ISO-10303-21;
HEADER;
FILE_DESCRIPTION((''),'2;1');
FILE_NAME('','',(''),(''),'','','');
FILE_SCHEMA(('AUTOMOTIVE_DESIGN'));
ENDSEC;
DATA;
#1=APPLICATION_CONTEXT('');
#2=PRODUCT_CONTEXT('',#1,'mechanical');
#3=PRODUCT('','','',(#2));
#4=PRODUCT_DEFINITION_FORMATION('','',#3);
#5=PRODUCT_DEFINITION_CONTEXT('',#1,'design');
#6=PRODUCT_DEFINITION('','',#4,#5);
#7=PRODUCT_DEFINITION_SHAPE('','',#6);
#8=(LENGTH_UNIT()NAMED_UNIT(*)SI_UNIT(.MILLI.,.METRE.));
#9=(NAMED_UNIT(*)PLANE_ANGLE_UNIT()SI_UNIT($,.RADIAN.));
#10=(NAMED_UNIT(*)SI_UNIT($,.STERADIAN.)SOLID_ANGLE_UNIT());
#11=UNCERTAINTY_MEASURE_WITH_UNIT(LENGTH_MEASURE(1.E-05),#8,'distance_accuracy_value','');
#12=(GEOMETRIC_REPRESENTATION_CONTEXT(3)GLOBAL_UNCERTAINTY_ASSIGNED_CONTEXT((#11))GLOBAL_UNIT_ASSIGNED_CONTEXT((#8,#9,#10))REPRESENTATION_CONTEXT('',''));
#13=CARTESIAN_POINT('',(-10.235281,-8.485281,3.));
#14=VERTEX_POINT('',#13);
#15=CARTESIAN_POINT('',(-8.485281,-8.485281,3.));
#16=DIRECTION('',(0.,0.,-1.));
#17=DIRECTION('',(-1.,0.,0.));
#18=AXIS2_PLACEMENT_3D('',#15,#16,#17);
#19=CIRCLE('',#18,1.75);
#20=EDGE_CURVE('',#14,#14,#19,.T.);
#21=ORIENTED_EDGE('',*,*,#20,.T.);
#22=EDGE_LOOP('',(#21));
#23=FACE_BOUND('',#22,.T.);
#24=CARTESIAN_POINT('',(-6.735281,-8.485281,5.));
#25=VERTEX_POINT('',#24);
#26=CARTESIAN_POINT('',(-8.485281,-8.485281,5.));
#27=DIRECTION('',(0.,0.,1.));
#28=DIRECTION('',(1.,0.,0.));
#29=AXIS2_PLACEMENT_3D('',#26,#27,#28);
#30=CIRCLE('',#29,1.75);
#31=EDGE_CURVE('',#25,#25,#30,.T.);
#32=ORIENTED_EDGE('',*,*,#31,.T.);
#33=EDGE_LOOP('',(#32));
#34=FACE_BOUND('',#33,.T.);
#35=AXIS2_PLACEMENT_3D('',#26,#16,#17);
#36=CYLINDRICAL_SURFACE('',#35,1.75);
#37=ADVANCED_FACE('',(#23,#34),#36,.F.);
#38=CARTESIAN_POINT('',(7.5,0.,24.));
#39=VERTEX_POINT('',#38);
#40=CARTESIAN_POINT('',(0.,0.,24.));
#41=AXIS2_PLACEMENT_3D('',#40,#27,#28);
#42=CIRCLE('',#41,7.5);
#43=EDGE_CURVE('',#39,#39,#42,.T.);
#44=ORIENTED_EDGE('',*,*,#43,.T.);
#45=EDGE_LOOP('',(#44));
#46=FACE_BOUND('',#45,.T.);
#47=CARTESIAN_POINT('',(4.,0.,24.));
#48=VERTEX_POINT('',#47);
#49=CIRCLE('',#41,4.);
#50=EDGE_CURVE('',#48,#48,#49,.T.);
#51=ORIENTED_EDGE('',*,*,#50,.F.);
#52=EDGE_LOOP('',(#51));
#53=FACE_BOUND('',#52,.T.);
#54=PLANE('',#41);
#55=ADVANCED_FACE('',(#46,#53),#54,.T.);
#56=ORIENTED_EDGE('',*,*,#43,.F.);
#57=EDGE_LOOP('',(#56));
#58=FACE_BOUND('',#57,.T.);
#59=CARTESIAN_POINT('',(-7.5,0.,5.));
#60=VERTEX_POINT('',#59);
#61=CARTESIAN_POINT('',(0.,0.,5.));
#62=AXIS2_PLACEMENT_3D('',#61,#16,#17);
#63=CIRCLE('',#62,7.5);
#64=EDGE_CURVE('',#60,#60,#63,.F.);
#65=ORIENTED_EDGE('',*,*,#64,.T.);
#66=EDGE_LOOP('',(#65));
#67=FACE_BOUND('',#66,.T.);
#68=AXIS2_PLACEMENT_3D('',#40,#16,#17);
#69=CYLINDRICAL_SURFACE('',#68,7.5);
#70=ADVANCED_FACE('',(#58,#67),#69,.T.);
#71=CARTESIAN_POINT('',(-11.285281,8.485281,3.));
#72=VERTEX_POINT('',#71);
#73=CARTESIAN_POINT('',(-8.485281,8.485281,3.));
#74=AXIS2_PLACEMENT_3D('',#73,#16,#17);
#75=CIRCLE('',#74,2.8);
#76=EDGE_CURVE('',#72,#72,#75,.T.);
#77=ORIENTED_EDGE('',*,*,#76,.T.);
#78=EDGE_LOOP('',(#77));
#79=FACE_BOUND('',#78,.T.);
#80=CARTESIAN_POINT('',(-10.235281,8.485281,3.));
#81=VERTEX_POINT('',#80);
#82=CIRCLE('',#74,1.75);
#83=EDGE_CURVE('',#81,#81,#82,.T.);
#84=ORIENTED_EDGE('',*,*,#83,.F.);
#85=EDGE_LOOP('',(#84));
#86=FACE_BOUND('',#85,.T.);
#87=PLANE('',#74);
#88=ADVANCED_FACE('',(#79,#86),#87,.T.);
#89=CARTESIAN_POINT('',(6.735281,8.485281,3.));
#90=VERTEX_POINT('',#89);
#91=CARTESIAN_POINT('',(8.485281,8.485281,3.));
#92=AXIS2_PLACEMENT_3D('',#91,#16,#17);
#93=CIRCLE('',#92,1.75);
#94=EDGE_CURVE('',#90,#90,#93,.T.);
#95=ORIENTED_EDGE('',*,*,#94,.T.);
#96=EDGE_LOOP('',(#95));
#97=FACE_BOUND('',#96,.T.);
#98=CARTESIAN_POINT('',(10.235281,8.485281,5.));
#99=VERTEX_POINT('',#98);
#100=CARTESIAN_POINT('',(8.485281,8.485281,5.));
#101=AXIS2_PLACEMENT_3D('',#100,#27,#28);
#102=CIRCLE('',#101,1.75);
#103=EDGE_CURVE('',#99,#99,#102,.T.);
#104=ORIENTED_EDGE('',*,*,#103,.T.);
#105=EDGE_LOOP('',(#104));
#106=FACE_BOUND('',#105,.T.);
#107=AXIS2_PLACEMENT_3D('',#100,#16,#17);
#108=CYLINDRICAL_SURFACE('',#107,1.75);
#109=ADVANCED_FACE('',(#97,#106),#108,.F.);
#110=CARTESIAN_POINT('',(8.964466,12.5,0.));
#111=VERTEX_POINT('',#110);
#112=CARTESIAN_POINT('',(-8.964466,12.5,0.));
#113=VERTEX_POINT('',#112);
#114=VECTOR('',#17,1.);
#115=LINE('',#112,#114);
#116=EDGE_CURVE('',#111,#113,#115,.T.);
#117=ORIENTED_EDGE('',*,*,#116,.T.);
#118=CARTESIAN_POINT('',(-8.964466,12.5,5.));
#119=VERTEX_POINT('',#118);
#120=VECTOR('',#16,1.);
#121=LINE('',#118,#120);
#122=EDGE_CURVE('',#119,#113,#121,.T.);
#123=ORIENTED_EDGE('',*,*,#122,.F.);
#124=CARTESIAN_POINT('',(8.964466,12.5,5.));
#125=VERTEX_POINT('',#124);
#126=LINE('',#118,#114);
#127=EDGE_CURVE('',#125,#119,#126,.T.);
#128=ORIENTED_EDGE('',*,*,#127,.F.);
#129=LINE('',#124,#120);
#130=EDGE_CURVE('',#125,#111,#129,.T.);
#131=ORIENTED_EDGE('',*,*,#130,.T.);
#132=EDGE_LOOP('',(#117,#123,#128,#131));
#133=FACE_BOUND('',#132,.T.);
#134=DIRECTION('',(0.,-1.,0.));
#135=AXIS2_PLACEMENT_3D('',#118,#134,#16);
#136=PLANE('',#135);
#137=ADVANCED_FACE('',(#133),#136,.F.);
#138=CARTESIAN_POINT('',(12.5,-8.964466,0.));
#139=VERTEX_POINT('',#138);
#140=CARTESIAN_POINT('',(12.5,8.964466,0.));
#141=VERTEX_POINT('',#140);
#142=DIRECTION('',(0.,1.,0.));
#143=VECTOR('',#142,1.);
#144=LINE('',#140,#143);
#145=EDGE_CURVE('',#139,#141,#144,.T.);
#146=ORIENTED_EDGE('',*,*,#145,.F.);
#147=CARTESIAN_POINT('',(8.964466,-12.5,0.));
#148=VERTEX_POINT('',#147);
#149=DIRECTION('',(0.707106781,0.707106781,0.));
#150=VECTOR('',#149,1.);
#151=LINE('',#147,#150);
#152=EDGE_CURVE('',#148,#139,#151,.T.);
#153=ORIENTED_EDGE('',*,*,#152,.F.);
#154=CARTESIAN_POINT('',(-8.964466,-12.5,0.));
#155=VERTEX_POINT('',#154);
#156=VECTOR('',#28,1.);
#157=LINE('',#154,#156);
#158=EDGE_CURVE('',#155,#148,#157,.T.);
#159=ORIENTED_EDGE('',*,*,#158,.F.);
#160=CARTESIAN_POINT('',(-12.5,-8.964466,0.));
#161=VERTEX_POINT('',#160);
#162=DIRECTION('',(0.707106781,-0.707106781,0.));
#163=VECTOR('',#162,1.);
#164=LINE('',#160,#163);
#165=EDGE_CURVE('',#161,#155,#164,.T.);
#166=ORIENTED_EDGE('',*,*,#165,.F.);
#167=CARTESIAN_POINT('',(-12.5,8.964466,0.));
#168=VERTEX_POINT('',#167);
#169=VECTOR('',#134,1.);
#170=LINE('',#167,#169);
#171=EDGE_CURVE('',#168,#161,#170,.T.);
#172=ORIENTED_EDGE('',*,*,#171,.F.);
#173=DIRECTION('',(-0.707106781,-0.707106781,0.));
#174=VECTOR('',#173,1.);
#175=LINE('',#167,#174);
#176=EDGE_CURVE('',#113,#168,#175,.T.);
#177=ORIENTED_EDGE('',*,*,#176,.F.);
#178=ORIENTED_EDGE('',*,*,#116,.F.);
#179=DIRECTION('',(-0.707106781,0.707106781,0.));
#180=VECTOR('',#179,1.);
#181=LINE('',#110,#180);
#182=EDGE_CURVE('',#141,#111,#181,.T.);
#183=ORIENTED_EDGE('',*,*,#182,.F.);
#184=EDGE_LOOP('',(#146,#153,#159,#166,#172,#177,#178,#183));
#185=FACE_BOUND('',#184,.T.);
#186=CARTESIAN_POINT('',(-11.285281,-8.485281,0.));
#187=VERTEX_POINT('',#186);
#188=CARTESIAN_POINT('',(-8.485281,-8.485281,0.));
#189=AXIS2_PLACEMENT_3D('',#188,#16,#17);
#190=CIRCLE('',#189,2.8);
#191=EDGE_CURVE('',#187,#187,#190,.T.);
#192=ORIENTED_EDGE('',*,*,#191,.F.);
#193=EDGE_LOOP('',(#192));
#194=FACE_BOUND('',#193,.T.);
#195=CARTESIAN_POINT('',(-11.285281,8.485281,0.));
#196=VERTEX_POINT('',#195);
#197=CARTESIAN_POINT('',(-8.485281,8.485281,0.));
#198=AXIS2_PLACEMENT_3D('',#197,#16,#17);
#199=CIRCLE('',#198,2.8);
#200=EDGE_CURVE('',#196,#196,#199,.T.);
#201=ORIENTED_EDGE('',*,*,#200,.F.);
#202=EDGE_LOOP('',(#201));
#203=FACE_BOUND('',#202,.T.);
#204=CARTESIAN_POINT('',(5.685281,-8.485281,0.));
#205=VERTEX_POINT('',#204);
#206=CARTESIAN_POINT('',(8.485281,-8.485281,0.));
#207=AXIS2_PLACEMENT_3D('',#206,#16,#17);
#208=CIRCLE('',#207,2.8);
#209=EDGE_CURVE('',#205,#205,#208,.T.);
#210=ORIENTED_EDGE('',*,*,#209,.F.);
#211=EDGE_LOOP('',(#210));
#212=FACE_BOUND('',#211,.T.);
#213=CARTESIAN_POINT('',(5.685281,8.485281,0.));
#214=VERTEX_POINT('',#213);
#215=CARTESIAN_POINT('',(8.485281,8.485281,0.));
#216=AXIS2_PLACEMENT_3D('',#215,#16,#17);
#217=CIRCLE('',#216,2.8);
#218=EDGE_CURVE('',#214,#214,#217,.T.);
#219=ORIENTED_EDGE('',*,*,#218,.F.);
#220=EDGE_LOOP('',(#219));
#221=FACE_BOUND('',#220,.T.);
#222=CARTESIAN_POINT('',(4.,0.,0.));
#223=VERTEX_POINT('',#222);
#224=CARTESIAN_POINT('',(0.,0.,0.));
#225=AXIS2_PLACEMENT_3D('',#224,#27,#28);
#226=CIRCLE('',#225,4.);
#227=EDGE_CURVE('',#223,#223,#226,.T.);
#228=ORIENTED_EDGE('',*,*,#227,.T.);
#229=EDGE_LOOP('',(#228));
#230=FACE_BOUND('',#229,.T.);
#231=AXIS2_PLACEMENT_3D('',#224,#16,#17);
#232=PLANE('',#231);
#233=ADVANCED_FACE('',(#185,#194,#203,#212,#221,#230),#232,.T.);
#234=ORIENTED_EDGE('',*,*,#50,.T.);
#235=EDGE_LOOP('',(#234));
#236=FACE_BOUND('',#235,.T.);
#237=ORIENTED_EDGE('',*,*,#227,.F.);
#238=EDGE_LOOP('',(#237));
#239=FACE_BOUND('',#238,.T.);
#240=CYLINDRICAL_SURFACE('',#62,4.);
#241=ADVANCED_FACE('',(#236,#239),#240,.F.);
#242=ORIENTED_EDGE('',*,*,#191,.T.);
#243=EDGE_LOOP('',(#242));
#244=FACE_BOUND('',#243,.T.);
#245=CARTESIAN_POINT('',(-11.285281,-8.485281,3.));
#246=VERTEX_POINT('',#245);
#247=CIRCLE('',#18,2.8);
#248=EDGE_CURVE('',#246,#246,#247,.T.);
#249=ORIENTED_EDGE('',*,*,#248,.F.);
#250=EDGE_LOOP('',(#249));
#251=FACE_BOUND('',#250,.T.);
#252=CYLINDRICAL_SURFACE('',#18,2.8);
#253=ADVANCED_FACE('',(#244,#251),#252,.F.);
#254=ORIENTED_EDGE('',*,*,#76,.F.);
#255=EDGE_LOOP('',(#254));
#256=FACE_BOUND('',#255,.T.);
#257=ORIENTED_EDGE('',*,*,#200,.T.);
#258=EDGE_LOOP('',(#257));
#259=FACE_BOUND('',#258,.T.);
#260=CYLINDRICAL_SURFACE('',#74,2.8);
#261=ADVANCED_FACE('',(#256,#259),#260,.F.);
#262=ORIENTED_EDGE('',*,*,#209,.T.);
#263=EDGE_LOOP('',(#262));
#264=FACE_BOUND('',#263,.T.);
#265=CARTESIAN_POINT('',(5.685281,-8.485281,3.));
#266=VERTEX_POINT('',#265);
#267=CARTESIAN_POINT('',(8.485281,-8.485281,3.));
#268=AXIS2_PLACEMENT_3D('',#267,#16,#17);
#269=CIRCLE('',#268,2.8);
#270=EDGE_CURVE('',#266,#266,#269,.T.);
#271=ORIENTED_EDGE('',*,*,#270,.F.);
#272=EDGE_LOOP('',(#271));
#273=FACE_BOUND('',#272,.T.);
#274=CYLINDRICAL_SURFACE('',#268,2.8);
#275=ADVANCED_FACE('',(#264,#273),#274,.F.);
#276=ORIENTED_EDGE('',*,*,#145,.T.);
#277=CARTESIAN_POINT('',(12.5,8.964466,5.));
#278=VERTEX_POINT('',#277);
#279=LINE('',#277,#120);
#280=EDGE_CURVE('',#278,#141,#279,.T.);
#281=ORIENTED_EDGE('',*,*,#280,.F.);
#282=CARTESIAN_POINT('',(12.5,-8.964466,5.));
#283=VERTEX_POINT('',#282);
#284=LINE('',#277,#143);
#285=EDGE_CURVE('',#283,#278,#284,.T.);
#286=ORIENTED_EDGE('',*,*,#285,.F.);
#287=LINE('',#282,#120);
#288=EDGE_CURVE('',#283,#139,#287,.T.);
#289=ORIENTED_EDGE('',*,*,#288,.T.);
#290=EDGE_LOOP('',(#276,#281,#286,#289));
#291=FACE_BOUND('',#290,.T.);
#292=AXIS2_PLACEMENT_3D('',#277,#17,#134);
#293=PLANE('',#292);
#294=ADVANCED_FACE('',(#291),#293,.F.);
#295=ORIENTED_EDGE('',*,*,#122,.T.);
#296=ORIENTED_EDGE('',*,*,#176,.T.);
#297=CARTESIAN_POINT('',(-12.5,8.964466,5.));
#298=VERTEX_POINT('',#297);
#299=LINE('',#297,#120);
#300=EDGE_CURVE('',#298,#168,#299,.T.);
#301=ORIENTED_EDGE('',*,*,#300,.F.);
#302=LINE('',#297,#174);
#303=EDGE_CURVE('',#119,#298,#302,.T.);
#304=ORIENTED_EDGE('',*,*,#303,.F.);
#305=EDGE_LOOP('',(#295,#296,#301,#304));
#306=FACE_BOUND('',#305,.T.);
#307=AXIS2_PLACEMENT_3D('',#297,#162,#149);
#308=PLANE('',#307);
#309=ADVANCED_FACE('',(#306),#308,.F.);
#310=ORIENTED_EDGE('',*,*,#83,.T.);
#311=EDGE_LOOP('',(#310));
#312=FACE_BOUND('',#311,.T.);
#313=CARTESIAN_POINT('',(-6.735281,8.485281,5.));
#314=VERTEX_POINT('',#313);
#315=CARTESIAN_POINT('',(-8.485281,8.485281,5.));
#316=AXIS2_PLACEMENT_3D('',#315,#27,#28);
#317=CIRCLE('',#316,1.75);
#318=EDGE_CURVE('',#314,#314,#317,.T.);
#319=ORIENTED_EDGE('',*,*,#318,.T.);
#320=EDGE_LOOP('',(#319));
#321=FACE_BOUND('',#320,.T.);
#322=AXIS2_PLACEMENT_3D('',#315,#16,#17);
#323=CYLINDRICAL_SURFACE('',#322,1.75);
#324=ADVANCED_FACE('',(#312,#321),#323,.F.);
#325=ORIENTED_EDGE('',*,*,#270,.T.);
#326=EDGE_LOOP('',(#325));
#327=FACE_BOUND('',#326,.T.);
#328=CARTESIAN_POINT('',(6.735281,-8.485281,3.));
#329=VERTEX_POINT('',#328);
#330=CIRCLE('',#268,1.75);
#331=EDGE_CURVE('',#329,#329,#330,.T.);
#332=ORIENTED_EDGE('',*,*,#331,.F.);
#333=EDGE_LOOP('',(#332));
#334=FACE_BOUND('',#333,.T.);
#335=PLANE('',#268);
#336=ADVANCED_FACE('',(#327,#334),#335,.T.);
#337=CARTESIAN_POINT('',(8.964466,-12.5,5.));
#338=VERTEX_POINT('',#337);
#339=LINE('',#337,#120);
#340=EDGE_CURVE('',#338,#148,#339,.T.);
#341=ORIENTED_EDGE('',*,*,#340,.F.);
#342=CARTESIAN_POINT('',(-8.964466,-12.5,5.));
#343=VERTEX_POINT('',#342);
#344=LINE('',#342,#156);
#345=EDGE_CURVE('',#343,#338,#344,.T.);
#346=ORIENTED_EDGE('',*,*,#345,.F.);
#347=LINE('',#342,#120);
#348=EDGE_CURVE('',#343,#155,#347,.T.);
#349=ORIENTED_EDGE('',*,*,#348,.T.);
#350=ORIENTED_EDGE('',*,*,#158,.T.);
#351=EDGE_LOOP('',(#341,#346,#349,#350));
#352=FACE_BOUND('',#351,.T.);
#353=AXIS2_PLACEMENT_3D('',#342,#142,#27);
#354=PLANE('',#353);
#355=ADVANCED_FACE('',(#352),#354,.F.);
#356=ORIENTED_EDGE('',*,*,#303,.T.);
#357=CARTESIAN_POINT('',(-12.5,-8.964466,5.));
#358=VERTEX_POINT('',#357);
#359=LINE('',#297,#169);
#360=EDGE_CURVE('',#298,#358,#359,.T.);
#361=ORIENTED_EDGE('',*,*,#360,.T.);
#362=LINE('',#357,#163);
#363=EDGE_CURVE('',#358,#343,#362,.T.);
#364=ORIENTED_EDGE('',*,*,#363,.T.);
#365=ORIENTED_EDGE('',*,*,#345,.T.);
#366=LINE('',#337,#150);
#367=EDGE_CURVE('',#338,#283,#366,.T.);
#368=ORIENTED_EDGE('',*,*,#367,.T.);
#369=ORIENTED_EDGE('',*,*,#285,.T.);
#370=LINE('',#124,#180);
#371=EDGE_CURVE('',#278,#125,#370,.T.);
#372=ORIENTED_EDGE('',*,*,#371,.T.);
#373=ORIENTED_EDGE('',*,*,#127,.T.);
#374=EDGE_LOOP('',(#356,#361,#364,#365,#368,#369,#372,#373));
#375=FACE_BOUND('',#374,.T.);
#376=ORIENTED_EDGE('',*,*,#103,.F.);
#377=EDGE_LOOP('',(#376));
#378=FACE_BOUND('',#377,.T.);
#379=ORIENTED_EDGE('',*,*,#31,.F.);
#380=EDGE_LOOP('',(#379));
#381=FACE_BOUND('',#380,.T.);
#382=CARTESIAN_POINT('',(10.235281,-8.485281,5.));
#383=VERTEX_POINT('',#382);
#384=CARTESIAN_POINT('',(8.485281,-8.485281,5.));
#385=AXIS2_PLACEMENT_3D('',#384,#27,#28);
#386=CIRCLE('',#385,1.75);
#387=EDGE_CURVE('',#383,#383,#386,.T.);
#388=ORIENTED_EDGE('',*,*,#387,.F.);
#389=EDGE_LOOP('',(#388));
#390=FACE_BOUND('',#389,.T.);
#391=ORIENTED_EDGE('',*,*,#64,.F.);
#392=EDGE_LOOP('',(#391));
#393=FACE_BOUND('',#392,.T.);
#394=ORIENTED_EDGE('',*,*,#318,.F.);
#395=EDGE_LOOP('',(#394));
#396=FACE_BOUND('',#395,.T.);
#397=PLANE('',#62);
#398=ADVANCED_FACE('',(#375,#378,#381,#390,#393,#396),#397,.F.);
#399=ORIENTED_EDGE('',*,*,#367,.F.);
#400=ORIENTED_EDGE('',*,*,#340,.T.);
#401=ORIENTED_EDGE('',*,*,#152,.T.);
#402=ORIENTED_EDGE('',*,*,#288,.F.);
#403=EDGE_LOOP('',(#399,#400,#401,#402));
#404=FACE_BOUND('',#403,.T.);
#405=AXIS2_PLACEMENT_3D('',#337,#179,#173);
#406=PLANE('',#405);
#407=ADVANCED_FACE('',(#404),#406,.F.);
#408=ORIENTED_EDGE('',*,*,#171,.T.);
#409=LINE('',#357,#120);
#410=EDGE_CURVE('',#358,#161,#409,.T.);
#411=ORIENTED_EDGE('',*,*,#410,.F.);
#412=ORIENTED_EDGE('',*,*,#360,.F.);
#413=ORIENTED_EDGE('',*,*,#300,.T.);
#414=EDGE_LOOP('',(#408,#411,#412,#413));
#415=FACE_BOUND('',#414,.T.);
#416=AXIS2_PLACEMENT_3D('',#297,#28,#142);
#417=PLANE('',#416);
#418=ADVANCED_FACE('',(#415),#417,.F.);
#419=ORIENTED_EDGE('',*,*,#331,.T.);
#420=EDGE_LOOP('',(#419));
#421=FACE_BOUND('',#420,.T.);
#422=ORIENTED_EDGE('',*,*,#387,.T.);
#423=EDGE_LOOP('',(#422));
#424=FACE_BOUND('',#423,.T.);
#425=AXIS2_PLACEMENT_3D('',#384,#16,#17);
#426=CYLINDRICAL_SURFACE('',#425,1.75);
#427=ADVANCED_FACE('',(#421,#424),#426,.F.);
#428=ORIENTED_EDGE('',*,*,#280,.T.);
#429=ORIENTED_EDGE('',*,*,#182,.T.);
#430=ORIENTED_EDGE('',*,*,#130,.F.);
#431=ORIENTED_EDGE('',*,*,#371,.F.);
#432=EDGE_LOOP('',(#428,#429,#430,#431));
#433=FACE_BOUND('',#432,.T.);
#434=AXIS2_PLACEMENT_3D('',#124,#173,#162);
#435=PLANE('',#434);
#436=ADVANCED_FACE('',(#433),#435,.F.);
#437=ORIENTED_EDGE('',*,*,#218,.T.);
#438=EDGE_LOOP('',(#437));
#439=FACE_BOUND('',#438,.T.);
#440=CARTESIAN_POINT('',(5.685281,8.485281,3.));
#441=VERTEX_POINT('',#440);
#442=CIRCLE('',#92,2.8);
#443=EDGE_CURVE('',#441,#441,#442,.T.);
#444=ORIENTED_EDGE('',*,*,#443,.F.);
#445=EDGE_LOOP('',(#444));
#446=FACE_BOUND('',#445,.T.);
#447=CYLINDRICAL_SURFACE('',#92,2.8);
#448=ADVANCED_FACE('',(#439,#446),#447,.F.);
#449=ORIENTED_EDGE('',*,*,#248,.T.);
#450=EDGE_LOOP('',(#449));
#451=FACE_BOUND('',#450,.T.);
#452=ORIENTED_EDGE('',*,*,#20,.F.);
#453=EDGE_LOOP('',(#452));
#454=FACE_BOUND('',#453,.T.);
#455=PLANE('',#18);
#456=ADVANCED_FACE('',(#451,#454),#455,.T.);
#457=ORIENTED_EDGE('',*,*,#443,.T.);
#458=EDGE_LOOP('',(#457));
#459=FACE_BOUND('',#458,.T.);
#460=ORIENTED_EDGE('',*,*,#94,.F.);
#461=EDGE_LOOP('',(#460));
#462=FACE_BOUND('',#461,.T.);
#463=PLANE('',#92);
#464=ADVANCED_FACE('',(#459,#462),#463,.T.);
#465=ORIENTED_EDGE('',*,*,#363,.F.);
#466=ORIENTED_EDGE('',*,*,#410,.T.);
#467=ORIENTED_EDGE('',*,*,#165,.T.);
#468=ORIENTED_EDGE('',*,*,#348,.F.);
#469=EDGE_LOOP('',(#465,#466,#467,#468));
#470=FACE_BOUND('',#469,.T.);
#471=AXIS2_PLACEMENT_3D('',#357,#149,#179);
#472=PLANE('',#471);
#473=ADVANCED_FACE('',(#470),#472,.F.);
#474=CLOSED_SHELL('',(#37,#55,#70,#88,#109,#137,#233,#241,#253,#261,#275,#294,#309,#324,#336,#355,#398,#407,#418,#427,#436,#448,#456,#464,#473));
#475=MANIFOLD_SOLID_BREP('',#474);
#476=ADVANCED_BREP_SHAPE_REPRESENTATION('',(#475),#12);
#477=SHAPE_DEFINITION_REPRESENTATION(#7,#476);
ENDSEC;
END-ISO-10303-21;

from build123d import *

# Parameters (mm, degrees)
SKETCH2_R           = 1.75
SKETCH2_R_2         = 4
BOSS_EXTRUDE1_DEPTH = 5
SKETCH3_R           = 7.5
SKETCH3_R_2         = 4
BOSS_EXTRUDE2_DEPTH = 19
SKETCH4_R           = 2.8
CUT_EXTRUDE1_DEPTH  = 3


with BuildPart() as part:
    # Sketch2 → Boss-Extrude1 (new body)
    with BuildSketch(Plane.XY):
        Polygon((-8.964466094, 12.5), (8.964466094, 12.5), (12.5, 8.964466094), (12.5, -8.964466094), (8.964466094, -12.5), (-8.964466094, -12.5), (-12.5, -8.964466094), (-12.5, 8.964466094), align=None)
        with Locations((-8.485281374, 8.485281374)):
            Circle(SKETCH2_R, mode=Mode.SUBTRACT)
        with Locations((8.485281374, -8.485281374)):
            Circle(SKETCH2_R, mode=Mode.SUBTRACT)
        with Locations((8.485281374, 8.485281374)):
            Circle(SKETCH2_R, mode=Mode.SUBTRACT)
        with Locations((-8.485281374, -8.485281374)):
            Circle(SKETCH2_R, mode=Mode.SUBTRACT)
        Circle(SKETCH2_R_2, mode=Mode.SUBTRACT)
    extrude(amount=BOSS_EXTRUDE1_DEPTH)

    # Sketch3 → Boss-Extrude2 (add)
    with BuildSketch(Plane.XY.offset(5)):
        Circle(SKETCH3_R)
        Circle(SKETCH3_R_2, mode=Mode.SUBTRACT)
    extrude(amount=BOSS_EXTRUDE2_DEPTH)

    # Sketch4 → Cut-Extrude1 (cut)
    with BuildSketch(Plane(origin=(0, 0, 0), x_dir=(-1, 0, 0), z_dir=(0, 0, -1))):
        with Locations((-8.485281374, 8.485281374)):
            Circle(SKETCH4_R)
        with Locations((8.485281374, 8.485281374)):
            Circle(SKETCH4_R)
        with Locations((8.485281374, -8.485281374)):
            Circle(SKETCH4_R)
        with Locations((-8.485281374, -8.485281374)):
            Circle(SKETCH4_R)
    extrude(amount=-CUT_EXTRUDE1_DEPTH, mode=Mode.SUBTRACT)


solid = part.part
